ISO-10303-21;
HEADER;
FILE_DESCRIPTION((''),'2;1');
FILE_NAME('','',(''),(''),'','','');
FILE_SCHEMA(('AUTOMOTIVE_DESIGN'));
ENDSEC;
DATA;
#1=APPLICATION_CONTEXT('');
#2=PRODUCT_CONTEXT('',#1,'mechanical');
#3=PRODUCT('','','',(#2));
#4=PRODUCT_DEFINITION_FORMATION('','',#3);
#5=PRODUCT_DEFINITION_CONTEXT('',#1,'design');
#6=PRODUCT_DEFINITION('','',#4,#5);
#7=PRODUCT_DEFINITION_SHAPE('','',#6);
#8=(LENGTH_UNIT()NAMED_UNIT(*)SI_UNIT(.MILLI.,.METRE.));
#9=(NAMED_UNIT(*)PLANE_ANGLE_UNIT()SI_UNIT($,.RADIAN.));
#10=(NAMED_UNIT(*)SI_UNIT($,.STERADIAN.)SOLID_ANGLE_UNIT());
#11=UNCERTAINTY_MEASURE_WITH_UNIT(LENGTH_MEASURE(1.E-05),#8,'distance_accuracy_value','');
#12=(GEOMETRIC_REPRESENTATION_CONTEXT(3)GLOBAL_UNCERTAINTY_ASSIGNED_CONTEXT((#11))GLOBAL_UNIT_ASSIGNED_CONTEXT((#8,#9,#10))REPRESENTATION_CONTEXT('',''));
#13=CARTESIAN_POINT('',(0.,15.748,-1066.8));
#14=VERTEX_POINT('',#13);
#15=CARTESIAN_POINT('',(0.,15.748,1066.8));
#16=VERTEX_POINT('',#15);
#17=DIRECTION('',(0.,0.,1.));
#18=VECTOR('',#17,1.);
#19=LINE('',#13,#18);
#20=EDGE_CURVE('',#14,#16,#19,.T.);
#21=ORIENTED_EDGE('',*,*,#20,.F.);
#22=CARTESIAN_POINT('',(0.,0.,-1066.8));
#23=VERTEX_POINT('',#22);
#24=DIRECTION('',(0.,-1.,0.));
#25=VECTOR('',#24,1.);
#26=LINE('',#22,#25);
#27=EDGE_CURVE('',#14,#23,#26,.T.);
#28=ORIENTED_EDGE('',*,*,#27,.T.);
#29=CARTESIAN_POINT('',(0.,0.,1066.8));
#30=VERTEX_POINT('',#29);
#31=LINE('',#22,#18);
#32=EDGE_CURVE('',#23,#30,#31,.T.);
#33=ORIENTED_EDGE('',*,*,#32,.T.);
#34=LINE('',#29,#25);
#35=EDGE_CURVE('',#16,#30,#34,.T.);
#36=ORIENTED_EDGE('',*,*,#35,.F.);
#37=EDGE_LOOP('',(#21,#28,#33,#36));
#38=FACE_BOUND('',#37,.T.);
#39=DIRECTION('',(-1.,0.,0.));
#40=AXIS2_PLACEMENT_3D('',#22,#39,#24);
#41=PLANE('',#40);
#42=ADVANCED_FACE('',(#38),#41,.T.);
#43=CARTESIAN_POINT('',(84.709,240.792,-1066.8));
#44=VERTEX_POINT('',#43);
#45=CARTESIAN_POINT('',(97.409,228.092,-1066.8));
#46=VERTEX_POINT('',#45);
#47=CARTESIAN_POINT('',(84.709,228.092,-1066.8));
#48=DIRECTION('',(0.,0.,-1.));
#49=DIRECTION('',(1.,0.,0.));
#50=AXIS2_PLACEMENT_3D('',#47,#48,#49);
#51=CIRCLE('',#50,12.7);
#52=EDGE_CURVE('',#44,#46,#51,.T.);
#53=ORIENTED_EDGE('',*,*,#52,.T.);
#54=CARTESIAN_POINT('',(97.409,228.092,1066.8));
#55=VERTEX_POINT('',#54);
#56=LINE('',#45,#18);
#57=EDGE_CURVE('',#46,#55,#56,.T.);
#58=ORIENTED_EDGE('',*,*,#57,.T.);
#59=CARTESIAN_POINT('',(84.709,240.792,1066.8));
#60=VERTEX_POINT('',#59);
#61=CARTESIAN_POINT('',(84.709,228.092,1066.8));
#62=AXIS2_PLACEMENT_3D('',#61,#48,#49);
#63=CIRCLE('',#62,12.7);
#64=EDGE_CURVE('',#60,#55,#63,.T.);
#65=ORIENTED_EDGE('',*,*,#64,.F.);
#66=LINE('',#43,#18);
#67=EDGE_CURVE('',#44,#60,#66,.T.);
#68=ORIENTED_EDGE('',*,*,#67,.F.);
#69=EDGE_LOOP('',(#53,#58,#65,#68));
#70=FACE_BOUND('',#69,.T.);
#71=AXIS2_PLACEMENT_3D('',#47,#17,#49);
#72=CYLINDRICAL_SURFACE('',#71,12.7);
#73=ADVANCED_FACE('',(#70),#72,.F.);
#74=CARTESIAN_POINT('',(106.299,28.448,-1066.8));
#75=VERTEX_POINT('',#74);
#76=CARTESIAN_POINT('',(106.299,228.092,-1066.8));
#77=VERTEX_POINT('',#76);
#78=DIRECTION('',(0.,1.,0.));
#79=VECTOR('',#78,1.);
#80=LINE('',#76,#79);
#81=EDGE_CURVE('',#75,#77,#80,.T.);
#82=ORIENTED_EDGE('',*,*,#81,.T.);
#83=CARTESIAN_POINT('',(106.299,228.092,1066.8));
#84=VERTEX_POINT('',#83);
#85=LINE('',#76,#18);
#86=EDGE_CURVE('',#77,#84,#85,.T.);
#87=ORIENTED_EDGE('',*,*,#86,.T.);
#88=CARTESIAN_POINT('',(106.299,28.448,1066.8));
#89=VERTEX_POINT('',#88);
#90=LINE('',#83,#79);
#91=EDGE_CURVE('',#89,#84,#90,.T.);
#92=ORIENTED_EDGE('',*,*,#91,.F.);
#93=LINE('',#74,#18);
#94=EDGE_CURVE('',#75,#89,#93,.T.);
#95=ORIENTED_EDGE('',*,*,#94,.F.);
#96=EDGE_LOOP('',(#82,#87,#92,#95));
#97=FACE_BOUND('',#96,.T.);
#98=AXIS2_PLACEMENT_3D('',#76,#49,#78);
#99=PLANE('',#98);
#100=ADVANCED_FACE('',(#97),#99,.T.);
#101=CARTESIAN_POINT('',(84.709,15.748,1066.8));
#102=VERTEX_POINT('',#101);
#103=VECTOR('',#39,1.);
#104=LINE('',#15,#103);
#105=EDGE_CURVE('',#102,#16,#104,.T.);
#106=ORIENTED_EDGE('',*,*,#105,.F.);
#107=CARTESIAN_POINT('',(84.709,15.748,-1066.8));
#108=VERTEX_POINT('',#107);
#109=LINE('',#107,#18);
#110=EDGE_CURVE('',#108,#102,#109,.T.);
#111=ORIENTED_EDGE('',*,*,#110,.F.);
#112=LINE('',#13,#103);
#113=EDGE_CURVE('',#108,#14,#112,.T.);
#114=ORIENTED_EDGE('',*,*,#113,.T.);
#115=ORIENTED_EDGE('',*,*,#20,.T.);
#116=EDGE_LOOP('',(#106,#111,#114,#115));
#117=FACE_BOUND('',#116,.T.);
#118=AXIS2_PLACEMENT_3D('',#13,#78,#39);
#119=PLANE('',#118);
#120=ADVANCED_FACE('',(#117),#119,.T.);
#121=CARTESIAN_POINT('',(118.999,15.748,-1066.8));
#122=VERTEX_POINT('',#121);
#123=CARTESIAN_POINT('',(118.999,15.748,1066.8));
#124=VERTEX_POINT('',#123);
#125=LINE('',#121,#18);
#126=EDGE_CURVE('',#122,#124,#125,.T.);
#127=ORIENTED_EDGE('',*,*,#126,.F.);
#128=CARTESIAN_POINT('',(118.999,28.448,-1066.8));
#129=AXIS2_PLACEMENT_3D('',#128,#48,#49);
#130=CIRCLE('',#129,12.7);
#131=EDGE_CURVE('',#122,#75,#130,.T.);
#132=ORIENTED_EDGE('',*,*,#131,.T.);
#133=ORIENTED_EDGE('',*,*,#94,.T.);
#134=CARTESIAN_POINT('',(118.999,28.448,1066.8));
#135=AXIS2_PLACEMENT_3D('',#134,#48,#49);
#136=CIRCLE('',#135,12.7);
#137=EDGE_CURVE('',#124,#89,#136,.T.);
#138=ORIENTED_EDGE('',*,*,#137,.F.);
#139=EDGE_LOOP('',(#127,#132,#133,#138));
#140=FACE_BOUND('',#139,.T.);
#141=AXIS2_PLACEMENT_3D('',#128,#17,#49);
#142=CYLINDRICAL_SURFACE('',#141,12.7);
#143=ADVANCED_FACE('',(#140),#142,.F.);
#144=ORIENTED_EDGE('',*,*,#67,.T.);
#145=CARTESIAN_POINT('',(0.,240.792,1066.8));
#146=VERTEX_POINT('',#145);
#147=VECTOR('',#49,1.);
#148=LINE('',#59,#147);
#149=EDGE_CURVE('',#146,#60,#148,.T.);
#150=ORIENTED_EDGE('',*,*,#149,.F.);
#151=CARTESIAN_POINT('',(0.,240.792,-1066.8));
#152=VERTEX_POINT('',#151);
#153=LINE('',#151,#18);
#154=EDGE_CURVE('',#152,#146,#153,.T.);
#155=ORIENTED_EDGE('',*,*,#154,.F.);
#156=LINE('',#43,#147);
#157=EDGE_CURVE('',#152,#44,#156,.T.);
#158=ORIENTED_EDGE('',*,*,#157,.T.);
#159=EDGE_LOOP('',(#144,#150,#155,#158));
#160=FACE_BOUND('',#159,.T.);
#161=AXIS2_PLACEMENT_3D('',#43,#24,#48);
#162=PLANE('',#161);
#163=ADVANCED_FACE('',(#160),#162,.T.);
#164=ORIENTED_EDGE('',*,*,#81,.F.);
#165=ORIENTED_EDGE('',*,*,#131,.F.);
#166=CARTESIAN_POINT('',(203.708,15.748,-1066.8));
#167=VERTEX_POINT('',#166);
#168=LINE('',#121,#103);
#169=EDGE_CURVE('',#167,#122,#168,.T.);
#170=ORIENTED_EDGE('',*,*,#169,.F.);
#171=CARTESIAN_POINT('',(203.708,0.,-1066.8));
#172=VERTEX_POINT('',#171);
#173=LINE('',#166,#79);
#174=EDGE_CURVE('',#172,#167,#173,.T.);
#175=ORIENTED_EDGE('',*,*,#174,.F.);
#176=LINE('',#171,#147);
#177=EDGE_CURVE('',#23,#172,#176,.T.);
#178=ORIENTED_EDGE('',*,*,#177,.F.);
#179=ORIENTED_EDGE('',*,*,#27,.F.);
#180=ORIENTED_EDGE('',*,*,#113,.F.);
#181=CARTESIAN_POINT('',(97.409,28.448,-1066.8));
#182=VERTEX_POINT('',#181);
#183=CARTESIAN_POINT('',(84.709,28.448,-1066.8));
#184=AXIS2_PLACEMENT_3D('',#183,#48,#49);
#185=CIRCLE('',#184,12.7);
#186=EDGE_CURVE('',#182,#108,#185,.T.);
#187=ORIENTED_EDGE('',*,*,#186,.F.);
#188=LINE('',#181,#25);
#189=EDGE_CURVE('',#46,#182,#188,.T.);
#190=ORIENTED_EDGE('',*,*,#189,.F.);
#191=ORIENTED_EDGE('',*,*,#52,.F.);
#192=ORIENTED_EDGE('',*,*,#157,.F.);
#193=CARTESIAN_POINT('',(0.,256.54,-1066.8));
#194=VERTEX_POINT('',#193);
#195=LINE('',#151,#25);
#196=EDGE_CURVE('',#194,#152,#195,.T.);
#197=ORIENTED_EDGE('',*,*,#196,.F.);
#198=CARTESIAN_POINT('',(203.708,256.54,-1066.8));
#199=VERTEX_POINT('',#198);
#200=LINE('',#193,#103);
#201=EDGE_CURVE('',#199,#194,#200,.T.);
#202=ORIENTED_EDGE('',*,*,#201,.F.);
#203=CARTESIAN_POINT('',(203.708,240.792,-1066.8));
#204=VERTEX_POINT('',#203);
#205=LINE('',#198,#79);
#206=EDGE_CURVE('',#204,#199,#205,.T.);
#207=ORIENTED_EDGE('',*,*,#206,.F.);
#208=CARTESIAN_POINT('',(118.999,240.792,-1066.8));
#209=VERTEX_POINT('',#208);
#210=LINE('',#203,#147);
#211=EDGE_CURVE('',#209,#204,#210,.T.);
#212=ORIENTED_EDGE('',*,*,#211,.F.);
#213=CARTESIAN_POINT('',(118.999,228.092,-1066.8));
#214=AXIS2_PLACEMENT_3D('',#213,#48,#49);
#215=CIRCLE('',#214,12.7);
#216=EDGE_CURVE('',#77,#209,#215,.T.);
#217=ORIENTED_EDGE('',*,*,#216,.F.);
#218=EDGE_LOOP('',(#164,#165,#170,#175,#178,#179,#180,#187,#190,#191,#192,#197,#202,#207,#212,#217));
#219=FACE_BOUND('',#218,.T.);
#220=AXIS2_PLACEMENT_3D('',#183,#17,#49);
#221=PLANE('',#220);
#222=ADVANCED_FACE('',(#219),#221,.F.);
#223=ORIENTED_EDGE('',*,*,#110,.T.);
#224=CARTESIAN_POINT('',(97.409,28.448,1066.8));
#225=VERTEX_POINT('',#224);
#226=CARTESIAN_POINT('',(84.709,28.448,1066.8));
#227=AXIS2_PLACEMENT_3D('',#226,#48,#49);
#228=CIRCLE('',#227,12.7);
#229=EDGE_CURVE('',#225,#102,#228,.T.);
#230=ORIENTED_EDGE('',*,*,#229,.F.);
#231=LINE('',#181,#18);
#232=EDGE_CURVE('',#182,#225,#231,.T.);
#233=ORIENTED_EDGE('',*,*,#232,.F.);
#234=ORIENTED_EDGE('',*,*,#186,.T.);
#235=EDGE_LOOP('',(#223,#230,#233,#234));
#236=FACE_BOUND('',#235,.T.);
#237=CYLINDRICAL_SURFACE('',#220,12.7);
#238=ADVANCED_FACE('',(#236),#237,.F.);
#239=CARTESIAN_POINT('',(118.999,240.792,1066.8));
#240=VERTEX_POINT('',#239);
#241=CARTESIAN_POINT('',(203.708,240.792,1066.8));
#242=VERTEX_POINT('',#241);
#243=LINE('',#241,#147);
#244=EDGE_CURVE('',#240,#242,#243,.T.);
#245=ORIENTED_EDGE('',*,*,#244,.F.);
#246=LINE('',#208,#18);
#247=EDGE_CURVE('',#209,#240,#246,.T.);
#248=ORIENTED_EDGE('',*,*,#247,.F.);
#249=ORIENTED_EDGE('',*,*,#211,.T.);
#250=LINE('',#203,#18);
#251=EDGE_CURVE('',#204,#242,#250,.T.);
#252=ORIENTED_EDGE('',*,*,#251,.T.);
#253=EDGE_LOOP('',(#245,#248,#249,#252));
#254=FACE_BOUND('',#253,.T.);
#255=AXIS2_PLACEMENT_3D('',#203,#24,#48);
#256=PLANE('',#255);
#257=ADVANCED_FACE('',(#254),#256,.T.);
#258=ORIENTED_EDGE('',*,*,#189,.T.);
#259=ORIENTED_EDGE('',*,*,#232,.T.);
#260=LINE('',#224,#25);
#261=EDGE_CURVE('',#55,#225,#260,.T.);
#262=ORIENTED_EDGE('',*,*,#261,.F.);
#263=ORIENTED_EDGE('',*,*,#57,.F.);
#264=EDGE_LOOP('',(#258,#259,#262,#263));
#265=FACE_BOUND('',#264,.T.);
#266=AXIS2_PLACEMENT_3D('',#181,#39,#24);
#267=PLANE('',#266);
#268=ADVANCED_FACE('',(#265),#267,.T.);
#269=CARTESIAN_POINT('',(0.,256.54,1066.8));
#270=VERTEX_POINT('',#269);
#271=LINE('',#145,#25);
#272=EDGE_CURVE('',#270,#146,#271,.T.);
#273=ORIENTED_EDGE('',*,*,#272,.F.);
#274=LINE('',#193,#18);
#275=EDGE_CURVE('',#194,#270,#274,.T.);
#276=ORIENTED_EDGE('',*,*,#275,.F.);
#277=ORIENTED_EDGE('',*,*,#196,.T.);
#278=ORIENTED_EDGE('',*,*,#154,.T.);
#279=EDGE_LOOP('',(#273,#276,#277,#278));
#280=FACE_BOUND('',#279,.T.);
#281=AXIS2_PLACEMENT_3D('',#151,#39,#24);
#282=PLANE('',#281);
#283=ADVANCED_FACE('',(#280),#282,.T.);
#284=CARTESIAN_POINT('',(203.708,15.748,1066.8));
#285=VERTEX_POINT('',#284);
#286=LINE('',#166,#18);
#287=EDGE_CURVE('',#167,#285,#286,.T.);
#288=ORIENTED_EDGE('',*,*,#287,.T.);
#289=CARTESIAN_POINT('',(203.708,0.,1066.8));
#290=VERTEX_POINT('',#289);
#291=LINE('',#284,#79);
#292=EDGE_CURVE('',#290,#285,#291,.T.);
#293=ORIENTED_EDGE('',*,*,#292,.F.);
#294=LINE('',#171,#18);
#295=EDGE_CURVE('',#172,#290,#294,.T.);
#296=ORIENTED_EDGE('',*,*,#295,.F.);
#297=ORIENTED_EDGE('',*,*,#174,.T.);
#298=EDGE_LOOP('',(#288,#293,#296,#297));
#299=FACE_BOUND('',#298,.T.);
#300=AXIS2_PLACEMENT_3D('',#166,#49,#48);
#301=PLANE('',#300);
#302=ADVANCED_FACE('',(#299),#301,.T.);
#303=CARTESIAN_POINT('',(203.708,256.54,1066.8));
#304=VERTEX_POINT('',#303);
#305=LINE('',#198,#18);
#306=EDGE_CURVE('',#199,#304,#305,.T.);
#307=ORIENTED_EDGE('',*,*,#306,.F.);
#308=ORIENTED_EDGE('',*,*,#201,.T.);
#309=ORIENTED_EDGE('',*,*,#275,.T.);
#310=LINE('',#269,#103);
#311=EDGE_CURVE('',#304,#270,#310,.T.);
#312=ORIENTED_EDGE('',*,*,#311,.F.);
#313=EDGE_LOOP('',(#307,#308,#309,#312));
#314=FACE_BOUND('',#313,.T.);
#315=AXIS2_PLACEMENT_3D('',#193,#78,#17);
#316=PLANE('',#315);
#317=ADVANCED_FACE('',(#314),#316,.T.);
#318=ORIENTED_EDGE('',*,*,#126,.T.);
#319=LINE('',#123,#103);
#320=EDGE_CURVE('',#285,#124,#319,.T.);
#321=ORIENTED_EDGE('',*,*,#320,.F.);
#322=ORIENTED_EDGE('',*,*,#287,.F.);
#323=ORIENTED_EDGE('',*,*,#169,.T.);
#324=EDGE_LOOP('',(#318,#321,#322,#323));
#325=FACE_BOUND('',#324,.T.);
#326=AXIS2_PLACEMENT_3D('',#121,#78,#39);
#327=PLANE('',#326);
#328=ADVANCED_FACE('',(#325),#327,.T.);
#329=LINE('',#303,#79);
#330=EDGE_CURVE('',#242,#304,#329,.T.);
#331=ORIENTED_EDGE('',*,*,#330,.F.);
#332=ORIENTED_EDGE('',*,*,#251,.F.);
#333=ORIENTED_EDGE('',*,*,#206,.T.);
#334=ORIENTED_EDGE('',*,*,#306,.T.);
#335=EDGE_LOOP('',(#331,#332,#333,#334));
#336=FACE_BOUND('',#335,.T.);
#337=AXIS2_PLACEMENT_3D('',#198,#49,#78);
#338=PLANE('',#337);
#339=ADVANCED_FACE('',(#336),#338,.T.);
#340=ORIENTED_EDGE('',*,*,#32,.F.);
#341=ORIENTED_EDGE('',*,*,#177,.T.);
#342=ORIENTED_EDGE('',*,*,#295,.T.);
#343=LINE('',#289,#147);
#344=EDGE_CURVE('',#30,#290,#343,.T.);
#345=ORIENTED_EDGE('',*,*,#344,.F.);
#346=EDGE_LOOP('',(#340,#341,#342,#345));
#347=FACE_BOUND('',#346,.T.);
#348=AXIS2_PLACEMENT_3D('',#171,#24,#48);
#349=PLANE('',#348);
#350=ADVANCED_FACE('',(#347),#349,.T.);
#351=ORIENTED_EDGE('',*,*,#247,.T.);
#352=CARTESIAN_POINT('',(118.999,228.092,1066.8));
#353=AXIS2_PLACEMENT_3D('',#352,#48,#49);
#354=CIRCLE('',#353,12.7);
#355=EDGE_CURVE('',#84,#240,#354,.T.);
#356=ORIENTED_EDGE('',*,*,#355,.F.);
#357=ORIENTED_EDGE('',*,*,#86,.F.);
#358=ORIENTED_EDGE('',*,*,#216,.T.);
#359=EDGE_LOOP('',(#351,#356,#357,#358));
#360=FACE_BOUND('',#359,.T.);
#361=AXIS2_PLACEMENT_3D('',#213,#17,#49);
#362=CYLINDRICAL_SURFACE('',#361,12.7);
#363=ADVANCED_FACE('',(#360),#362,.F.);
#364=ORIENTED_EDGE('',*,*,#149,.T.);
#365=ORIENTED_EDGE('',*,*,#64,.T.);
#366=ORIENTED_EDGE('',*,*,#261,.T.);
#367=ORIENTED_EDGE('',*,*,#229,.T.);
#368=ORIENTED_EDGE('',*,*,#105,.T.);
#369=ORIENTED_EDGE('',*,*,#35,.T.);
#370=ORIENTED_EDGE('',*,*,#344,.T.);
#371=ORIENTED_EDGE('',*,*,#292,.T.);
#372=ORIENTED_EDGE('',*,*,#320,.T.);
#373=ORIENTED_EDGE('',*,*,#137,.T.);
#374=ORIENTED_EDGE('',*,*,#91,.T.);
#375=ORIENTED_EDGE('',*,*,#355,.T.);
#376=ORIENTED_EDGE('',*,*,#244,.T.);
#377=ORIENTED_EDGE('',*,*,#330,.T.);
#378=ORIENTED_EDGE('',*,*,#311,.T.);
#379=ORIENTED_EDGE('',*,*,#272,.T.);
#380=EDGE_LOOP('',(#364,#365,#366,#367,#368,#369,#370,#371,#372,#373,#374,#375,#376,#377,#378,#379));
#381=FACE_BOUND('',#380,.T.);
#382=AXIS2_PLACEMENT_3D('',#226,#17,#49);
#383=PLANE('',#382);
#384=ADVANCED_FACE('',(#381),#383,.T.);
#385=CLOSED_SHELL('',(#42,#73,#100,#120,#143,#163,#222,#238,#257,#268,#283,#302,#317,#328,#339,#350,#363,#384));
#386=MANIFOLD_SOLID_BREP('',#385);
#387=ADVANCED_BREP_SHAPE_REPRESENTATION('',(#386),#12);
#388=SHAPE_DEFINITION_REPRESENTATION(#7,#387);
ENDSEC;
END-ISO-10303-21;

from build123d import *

# Parameters (mm, degrees)
BASESTEELW_DEPTH = 1066.8


with BuildPart() as part:
    # Sketch1 → BaseSteelW (new, symmetric)
    with BuildSketch(Plane.XY):
        with BuildLine():
            Line((0, 0), (0, 15.748))
            Line((0, 15.748), (84.709, 15.748))
            ThreePointArc((84.709, 15.748), (93.689256121, 19.467743879), (97.409, 28.448))
            Line((97.409, 28.448), (97.409, 228.092))
            ThreePointArc((97.409, 228.092), (93.689256121, 237.072256121), (84.709, 240.792))
            Line((84.709, 240.792), (0, 240.792))
            Line((0, 240.792), (0, 256.54))
            Line((0, 256.54), (203.708, 256.54))
            Line((203.708, 256.54), (203.708, 240.792))
            Line((203.708, 240.792), (118.999, 240.792))
            ThreePointArc((118.999, 240.792), (110.018743879, 237.072256121), (106.299, 228.092))
            Line((106.299, 228.092), (106.299, 28.448))
            ThreePointArc((106.299, 28.448), (110.018743879, 19.467743879), (118.999, 15.748))
            Line((118.999, 15.748), (203.708, 15.748))
            Line((203.708, 15.748), (203.708, 0))
            Line((203.708, 0), (0, 0))
        make_face()
    extrude(amount=BASESTEELW_DEPTH, both=True)


solid = part.part
